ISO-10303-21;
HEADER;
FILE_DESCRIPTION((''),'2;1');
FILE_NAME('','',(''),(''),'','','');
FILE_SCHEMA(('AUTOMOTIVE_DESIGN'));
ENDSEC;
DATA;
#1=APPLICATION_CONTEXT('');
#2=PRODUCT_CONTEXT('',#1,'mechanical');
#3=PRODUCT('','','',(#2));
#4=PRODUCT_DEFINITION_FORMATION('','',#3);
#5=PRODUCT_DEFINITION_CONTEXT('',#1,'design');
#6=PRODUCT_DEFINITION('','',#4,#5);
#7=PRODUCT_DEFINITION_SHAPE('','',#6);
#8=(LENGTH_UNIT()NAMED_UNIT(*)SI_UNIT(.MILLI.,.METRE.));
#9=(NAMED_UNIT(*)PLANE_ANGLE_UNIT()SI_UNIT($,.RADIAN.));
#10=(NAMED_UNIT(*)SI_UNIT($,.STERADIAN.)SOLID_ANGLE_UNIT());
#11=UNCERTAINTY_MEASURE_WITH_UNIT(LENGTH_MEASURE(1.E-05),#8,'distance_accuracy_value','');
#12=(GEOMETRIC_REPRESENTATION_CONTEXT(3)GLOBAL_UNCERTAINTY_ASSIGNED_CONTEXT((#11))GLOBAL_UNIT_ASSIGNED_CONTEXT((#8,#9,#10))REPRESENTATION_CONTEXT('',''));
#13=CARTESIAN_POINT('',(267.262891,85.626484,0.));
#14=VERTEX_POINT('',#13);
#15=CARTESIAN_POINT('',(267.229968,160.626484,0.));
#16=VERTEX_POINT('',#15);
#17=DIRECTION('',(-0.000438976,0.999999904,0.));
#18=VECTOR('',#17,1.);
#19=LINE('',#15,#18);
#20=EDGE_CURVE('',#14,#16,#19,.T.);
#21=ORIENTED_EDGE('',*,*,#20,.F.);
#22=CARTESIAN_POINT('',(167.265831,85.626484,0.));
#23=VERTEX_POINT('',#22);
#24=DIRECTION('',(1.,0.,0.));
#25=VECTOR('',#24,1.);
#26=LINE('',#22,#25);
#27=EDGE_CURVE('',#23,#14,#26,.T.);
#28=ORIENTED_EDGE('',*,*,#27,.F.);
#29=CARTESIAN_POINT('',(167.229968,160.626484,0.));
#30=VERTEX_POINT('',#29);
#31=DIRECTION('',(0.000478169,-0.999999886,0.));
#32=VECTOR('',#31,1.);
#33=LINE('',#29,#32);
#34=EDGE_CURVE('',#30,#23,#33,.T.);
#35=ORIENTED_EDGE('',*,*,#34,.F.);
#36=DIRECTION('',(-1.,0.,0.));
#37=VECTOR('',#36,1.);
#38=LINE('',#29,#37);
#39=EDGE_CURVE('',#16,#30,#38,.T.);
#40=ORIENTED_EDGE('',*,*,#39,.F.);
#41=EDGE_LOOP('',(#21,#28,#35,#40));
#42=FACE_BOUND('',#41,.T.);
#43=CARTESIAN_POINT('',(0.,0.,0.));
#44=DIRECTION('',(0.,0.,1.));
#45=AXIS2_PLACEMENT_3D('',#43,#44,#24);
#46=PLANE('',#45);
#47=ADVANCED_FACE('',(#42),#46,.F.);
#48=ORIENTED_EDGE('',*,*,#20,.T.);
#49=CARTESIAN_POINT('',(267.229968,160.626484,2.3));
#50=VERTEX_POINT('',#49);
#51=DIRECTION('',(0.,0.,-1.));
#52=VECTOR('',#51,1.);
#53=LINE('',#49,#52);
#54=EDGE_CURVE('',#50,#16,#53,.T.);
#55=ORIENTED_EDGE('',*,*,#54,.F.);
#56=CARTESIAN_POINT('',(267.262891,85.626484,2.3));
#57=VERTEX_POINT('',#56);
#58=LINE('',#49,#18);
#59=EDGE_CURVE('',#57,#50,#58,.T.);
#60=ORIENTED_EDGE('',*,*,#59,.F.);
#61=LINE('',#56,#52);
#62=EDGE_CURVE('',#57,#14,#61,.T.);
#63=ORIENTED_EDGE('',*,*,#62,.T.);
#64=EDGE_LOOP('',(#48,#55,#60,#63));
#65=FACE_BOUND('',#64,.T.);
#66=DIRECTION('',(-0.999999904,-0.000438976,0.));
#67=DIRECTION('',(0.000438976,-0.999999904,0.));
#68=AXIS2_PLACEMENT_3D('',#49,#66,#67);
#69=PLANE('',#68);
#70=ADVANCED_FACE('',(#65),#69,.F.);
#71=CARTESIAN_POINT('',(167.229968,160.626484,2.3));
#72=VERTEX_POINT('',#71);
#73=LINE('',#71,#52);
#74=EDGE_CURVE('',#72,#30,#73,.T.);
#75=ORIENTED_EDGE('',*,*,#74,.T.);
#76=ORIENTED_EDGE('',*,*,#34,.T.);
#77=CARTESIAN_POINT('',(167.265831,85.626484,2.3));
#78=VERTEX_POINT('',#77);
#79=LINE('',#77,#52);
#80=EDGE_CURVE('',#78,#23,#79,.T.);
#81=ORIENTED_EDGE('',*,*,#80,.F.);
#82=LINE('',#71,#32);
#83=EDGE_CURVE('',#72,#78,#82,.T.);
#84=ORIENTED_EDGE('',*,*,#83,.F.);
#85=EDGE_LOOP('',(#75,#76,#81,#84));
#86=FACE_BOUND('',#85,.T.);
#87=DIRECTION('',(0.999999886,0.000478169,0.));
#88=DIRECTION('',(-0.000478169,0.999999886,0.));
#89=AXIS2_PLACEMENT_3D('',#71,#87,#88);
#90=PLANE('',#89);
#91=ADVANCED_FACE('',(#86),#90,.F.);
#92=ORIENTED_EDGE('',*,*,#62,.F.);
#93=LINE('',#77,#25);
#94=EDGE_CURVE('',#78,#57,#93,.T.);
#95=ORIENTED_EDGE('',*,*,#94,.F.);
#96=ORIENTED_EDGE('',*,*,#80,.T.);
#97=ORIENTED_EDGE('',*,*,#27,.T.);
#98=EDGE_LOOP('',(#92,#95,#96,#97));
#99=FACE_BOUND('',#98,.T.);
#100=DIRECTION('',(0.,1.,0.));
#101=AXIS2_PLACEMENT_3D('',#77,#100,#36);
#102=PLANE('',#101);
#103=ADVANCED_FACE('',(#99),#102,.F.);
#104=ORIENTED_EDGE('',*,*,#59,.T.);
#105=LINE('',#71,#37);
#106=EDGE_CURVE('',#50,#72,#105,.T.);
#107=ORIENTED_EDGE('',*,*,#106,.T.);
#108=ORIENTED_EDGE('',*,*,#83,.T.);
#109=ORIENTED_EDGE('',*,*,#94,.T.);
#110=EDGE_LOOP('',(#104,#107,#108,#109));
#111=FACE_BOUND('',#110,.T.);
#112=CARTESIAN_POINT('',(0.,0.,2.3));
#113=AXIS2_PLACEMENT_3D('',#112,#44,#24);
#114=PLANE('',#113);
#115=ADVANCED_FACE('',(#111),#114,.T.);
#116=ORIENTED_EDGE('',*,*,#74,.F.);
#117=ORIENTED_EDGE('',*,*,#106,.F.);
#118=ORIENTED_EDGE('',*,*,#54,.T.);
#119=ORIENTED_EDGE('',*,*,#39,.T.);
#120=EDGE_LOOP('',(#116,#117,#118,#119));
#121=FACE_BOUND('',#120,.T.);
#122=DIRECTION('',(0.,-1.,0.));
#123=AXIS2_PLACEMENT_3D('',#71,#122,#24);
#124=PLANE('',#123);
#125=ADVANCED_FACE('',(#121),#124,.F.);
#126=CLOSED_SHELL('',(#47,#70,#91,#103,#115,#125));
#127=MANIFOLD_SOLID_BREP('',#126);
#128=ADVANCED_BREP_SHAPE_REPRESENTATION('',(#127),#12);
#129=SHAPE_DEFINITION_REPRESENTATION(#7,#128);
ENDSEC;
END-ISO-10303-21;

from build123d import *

# Parameters (mm, degrees)
EXTRUDE_1_DEPTH = 2.3


with BuildPart() as part:
    # 草图1 → 凸台-拉伸1 (new body)
    with BuildSketch(Plane.XY):
        Polygon((167.265830553, 85.626483669), (267.262891096, 85.626483669), (267.229967885, 160.626483669), (167.229967885, 160.626483669), align=None)
    extrude(amount=EXTRUDE_1_DEPTH)


solid = part.part
